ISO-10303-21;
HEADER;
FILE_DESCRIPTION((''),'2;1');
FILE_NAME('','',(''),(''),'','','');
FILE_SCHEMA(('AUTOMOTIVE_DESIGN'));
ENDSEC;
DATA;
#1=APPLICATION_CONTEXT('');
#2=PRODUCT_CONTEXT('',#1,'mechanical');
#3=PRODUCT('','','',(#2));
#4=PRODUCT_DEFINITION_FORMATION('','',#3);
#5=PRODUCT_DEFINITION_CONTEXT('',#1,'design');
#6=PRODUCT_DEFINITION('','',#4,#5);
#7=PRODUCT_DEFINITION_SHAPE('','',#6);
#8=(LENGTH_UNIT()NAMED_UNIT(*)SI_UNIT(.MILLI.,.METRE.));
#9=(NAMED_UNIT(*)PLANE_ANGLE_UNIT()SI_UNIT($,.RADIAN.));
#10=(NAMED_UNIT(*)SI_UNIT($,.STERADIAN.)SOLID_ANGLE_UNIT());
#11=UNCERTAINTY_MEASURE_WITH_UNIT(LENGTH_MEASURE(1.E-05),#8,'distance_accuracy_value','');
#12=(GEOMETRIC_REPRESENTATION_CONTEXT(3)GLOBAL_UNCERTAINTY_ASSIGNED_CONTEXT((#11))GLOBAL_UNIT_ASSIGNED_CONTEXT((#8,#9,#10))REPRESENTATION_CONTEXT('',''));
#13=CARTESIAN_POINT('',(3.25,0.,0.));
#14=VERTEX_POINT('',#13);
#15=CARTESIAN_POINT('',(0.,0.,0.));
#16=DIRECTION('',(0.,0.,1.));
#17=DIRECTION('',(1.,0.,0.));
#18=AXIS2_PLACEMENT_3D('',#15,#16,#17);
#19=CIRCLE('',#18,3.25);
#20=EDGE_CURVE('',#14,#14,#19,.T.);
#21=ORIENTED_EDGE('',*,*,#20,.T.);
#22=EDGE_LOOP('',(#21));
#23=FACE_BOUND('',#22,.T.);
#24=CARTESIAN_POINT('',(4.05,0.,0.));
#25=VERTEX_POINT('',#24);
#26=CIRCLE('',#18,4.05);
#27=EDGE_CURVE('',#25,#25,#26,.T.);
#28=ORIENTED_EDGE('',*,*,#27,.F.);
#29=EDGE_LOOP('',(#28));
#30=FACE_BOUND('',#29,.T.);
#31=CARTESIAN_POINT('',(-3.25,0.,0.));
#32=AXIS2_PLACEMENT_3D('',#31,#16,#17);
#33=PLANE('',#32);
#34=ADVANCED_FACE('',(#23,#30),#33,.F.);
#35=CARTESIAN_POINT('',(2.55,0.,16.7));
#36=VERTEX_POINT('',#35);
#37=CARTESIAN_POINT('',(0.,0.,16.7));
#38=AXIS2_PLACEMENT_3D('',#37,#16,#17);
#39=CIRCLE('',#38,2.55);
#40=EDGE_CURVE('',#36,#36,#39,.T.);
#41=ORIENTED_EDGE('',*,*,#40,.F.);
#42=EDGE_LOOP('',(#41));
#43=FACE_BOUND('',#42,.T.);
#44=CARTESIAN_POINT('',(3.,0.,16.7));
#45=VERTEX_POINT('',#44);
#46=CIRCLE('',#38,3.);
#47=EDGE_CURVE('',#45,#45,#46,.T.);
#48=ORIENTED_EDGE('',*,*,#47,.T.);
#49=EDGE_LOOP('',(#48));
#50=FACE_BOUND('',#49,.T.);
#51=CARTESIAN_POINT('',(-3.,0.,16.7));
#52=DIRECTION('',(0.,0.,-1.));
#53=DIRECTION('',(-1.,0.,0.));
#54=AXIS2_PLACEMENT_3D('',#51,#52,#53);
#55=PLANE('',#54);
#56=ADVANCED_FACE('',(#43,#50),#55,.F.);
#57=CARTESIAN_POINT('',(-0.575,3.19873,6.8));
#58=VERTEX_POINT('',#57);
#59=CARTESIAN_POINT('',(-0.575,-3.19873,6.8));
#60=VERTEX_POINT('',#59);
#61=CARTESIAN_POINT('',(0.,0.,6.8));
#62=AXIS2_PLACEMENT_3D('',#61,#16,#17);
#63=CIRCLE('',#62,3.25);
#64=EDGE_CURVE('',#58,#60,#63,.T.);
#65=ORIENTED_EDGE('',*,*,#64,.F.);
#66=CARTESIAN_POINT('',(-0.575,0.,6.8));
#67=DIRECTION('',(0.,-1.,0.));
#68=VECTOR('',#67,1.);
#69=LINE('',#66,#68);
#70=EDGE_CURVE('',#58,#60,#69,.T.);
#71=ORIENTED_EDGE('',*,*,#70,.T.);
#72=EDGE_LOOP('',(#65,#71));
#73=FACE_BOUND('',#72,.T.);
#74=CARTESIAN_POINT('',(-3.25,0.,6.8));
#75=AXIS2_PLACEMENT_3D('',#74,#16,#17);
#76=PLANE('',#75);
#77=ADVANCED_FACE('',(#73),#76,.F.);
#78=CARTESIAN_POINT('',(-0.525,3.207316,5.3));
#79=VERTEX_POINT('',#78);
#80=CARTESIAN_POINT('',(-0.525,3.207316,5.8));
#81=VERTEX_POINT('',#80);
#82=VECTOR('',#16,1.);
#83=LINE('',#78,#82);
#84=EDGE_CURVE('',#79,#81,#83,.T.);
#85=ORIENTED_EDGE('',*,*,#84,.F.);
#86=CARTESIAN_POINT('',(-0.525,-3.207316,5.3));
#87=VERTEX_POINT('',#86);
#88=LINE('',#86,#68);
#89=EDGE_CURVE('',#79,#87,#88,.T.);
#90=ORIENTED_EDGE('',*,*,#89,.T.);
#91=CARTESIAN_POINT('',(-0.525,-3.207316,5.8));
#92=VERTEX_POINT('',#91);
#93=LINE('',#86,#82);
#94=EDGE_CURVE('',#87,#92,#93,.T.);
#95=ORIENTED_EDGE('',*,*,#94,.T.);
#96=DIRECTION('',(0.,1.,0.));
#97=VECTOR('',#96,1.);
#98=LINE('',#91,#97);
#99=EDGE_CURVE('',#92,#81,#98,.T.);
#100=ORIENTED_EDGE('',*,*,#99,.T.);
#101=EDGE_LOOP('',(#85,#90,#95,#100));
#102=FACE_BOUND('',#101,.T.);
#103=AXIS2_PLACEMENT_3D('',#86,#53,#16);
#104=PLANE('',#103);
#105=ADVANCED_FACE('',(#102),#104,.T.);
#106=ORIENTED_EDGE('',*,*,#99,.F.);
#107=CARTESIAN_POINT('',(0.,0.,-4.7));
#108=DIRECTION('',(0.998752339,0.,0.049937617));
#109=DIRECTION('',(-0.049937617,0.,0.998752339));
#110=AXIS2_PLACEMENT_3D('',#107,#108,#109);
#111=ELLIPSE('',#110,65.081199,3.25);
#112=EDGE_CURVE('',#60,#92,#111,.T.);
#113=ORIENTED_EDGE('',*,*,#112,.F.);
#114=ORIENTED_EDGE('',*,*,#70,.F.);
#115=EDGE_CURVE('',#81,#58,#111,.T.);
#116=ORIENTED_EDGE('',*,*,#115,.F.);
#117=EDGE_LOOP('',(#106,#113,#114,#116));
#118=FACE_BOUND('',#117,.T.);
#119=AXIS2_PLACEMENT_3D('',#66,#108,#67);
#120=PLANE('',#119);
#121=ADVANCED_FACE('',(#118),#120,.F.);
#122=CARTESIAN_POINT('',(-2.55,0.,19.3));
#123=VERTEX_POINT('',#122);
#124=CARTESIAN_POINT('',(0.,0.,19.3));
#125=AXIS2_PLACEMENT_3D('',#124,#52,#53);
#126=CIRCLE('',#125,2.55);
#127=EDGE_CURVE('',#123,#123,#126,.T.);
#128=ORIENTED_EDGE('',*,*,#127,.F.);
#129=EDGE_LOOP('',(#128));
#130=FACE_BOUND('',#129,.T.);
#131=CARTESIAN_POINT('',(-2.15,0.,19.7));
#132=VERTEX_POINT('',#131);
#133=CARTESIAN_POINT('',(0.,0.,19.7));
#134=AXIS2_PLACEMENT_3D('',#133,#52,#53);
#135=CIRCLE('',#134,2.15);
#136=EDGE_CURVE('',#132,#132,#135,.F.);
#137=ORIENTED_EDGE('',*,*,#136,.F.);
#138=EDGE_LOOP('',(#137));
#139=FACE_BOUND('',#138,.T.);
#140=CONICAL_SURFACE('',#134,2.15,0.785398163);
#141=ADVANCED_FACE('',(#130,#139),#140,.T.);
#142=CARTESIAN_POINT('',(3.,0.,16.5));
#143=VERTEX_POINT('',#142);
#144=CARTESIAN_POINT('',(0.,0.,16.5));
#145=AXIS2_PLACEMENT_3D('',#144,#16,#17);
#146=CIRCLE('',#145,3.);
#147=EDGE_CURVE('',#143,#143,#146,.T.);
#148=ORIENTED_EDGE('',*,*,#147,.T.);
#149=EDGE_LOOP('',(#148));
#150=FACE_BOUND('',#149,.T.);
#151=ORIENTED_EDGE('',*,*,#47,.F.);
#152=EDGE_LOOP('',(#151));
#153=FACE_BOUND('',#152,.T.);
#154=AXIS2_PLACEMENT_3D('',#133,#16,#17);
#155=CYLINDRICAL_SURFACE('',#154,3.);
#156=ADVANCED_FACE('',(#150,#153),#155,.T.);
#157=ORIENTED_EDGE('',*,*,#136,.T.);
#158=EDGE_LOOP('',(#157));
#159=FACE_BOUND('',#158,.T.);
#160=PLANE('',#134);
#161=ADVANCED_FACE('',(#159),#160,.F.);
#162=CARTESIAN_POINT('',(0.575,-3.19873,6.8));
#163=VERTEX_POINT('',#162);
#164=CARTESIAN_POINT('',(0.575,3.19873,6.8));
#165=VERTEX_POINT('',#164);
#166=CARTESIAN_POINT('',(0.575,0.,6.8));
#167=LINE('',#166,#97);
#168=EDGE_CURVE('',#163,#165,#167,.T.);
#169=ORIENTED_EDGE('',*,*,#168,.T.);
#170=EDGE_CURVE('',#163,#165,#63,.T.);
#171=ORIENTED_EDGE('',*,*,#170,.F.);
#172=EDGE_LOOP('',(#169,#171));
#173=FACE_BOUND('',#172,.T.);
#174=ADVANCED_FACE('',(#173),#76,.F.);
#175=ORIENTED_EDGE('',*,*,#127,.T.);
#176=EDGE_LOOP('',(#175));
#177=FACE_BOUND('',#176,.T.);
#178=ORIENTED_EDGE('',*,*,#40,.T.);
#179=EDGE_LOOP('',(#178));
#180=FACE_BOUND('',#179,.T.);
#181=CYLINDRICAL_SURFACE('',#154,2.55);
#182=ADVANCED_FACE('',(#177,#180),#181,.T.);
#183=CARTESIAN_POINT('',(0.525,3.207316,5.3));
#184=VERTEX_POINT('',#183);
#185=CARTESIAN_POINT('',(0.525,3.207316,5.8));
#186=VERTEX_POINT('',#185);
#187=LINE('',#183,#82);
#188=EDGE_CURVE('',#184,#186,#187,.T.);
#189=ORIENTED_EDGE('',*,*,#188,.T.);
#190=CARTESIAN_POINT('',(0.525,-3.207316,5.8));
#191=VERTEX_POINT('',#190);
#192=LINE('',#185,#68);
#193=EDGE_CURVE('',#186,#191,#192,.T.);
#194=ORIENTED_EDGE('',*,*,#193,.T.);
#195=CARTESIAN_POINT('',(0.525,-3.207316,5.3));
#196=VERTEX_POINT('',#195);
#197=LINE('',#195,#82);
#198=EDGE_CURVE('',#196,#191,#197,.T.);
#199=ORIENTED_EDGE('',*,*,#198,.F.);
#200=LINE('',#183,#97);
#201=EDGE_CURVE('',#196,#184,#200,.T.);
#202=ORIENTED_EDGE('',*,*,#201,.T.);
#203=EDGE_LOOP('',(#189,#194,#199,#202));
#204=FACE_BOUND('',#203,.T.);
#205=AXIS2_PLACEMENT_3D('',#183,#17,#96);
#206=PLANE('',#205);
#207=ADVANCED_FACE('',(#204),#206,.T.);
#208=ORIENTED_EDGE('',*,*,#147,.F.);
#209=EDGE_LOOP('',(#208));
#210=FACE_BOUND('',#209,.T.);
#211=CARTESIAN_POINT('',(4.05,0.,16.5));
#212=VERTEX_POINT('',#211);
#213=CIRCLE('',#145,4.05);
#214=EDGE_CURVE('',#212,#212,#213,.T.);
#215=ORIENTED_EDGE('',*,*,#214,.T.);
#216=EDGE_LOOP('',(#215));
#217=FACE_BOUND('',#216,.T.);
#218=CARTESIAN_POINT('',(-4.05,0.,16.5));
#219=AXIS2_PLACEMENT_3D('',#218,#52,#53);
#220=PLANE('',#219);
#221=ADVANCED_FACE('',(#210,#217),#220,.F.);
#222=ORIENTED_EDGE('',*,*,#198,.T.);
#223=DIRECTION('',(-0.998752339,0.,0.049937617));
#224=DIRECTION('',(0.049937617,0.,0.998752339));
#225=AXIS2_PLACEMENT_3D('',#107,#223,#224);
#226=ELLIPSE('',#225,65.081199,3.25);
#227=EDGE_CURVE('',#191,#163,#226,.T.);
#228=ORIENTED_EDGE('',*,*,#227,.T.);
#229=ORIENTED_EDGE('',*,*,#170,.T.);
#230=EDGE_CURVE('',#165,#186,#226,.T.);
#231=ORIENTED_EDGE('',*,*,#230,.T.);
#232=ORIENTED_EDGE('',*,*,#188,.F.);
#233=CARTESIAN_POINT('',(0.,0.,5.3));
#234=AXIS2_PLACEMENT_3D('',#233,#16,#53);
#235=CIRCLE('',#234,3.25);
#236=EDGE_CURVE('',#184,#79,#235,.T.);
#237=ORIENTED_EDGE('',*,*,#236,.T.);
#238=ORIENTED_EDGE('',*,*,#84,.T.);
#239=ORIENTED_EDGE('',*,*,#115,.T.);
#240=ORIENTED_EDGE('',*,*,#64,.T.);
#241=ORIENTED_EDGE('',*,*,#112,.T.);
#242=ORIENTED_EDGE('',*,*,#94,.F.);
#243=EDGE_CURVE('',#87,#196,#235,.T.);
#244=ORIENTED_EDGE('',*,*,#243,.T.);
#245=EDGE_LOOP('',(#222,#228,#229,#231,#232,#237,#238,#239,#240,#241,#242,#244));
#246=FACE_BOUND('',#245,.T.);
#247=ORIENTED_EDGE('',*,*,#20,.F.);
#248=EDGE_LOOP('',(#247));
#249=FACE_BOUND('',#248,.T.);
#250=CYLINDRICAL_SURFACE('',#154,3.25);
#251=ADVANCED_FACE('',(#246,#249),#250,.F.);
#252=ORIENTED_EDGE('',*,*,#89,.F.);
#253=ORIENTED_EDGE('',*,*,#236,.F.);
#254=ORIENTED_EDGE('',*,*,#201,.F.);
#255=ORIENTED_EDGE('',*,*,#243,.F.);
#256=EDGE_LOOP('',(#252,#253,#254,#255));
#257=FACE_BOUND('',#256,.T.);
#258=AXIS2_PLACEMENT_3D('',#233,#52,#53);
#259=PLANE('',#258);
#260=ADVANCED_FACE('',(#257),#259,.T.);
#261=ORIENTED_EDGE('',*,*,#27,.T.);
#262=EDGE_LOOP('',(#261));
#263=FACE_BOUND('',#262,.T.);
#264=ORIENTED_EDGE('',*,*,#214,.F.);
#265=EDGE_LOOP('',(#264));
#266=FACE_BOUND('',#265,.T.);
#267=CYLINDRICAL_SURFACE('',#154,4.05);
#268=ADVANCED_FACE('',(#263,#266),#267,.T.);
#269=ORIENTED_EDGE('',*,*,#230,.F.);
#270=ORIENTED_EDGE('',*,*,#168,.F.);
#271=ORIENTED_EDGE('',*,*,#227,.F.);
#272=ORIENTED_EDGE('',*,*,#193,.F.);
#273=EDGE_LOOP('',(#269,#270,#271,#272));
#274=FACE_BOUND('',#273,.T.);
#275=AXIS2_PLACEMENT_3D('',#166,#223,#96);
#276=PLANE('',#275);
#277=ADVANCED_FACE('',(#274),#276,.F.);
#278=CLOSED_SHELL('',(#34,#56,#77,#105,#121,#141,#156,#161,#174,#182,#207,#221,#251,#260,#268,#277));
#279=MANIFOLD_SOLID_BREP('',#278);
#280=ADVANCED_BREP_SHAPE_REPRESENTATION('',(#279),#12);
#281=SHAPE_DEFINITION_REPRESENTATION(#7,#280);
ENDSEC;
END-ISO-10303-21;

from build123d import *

# Parameters (mm, degrees)
CHAMFER1_SIZE         = 0.4
BOSS_EXTRUDE1_DEPTH   = 1.5
CHAMFER2_SIZE         = 1
CHAMFER2_SIZE2        = 0.05
CHAMFER2_PART_2_SIZE  = 1
CHAMFER2_PART_2_SIZE2 = 0.05


with BuildPart() as part:
    # Sketch1 → Revolve1 (revolve)
    with BuildSketch(Plane(origin=(0, 0, 0), x_dir=(1, 0, 0), z_dir=(0, 1, 0))):
        Polygon((0, -19.7), (0, -6.8), (-3.25, -6.8), (-3.25, 0), (-4.05, 0), (-4.05, -16.5), (-3, -16.5), (-3, -16.7), (-2.55, -16.7), (-2.55, -19.7), align=None)
    revolve(axis=Axis((0, 0, 19.7), (0, 0, -1)))

    # Chamfer1
    chamfer1_edges = [part.edges().sort_by_distance(p)[0] for p in [
        (2.55, 0, 19.7),
    ]]
    chamfer(chamfer1_edges, length=CHAMFER1_SIZE)

    # Sketch2 → Boss-Extrude1 (add)
    with BuildSketch(Plane.XY.offset(6.8)):
        with BuildLine():
            Line((0.525, 3.207315856), (0.525, -3.207315856))
            ThreePointArc((0.525, -3.207315856), (0, -3.25), (-0.525, -3.207315856))
            Line((-0.525, -3.207315856), (-0.525, 3.207315856))
            ThreePointArc((-0.525, 3.207315856), (0, 3.25), (0.525, 3.207315856))
        make_face()
    extrude(amount=-BOSS_EXTRUDE1_DEPTH)

    # Chamfer2
    chamfer2_edges = [part.edges().sort_by_distance(p)[0] for p in [
        (-0.525, 0, 6.8),
    ]]
    chamfer2_side = [part.faces().sort_by_distance(p)[0] for p in [
        (-0.525, 0, 6.05),
    ]]
    chamfer(chamfer2_edges, length=CHAMFER2_SIZE, length2=CHAMFER2_SIZE2, reference=chamfer2_side[0])

    # Chamfer2 part 2
    chamfer2_part_2_edges = [part.edges().sort_by_distance(p)[0] for p in [
        (0.525, 0, 6.8),
    ]]
    chamfer2_part_2_side = [part.faces().sort_by_distance(p)[0] for p in [
        (0.525, 0, 6.05),
    ]]
    chamfer(chamfer2_part_2_edges, length=CHAMFER2_PART_2_SIZE, length2=CHAMFER2_PART_2_SIZE2, reference=chamfer2_part_2_side[0])


solid = part.part
